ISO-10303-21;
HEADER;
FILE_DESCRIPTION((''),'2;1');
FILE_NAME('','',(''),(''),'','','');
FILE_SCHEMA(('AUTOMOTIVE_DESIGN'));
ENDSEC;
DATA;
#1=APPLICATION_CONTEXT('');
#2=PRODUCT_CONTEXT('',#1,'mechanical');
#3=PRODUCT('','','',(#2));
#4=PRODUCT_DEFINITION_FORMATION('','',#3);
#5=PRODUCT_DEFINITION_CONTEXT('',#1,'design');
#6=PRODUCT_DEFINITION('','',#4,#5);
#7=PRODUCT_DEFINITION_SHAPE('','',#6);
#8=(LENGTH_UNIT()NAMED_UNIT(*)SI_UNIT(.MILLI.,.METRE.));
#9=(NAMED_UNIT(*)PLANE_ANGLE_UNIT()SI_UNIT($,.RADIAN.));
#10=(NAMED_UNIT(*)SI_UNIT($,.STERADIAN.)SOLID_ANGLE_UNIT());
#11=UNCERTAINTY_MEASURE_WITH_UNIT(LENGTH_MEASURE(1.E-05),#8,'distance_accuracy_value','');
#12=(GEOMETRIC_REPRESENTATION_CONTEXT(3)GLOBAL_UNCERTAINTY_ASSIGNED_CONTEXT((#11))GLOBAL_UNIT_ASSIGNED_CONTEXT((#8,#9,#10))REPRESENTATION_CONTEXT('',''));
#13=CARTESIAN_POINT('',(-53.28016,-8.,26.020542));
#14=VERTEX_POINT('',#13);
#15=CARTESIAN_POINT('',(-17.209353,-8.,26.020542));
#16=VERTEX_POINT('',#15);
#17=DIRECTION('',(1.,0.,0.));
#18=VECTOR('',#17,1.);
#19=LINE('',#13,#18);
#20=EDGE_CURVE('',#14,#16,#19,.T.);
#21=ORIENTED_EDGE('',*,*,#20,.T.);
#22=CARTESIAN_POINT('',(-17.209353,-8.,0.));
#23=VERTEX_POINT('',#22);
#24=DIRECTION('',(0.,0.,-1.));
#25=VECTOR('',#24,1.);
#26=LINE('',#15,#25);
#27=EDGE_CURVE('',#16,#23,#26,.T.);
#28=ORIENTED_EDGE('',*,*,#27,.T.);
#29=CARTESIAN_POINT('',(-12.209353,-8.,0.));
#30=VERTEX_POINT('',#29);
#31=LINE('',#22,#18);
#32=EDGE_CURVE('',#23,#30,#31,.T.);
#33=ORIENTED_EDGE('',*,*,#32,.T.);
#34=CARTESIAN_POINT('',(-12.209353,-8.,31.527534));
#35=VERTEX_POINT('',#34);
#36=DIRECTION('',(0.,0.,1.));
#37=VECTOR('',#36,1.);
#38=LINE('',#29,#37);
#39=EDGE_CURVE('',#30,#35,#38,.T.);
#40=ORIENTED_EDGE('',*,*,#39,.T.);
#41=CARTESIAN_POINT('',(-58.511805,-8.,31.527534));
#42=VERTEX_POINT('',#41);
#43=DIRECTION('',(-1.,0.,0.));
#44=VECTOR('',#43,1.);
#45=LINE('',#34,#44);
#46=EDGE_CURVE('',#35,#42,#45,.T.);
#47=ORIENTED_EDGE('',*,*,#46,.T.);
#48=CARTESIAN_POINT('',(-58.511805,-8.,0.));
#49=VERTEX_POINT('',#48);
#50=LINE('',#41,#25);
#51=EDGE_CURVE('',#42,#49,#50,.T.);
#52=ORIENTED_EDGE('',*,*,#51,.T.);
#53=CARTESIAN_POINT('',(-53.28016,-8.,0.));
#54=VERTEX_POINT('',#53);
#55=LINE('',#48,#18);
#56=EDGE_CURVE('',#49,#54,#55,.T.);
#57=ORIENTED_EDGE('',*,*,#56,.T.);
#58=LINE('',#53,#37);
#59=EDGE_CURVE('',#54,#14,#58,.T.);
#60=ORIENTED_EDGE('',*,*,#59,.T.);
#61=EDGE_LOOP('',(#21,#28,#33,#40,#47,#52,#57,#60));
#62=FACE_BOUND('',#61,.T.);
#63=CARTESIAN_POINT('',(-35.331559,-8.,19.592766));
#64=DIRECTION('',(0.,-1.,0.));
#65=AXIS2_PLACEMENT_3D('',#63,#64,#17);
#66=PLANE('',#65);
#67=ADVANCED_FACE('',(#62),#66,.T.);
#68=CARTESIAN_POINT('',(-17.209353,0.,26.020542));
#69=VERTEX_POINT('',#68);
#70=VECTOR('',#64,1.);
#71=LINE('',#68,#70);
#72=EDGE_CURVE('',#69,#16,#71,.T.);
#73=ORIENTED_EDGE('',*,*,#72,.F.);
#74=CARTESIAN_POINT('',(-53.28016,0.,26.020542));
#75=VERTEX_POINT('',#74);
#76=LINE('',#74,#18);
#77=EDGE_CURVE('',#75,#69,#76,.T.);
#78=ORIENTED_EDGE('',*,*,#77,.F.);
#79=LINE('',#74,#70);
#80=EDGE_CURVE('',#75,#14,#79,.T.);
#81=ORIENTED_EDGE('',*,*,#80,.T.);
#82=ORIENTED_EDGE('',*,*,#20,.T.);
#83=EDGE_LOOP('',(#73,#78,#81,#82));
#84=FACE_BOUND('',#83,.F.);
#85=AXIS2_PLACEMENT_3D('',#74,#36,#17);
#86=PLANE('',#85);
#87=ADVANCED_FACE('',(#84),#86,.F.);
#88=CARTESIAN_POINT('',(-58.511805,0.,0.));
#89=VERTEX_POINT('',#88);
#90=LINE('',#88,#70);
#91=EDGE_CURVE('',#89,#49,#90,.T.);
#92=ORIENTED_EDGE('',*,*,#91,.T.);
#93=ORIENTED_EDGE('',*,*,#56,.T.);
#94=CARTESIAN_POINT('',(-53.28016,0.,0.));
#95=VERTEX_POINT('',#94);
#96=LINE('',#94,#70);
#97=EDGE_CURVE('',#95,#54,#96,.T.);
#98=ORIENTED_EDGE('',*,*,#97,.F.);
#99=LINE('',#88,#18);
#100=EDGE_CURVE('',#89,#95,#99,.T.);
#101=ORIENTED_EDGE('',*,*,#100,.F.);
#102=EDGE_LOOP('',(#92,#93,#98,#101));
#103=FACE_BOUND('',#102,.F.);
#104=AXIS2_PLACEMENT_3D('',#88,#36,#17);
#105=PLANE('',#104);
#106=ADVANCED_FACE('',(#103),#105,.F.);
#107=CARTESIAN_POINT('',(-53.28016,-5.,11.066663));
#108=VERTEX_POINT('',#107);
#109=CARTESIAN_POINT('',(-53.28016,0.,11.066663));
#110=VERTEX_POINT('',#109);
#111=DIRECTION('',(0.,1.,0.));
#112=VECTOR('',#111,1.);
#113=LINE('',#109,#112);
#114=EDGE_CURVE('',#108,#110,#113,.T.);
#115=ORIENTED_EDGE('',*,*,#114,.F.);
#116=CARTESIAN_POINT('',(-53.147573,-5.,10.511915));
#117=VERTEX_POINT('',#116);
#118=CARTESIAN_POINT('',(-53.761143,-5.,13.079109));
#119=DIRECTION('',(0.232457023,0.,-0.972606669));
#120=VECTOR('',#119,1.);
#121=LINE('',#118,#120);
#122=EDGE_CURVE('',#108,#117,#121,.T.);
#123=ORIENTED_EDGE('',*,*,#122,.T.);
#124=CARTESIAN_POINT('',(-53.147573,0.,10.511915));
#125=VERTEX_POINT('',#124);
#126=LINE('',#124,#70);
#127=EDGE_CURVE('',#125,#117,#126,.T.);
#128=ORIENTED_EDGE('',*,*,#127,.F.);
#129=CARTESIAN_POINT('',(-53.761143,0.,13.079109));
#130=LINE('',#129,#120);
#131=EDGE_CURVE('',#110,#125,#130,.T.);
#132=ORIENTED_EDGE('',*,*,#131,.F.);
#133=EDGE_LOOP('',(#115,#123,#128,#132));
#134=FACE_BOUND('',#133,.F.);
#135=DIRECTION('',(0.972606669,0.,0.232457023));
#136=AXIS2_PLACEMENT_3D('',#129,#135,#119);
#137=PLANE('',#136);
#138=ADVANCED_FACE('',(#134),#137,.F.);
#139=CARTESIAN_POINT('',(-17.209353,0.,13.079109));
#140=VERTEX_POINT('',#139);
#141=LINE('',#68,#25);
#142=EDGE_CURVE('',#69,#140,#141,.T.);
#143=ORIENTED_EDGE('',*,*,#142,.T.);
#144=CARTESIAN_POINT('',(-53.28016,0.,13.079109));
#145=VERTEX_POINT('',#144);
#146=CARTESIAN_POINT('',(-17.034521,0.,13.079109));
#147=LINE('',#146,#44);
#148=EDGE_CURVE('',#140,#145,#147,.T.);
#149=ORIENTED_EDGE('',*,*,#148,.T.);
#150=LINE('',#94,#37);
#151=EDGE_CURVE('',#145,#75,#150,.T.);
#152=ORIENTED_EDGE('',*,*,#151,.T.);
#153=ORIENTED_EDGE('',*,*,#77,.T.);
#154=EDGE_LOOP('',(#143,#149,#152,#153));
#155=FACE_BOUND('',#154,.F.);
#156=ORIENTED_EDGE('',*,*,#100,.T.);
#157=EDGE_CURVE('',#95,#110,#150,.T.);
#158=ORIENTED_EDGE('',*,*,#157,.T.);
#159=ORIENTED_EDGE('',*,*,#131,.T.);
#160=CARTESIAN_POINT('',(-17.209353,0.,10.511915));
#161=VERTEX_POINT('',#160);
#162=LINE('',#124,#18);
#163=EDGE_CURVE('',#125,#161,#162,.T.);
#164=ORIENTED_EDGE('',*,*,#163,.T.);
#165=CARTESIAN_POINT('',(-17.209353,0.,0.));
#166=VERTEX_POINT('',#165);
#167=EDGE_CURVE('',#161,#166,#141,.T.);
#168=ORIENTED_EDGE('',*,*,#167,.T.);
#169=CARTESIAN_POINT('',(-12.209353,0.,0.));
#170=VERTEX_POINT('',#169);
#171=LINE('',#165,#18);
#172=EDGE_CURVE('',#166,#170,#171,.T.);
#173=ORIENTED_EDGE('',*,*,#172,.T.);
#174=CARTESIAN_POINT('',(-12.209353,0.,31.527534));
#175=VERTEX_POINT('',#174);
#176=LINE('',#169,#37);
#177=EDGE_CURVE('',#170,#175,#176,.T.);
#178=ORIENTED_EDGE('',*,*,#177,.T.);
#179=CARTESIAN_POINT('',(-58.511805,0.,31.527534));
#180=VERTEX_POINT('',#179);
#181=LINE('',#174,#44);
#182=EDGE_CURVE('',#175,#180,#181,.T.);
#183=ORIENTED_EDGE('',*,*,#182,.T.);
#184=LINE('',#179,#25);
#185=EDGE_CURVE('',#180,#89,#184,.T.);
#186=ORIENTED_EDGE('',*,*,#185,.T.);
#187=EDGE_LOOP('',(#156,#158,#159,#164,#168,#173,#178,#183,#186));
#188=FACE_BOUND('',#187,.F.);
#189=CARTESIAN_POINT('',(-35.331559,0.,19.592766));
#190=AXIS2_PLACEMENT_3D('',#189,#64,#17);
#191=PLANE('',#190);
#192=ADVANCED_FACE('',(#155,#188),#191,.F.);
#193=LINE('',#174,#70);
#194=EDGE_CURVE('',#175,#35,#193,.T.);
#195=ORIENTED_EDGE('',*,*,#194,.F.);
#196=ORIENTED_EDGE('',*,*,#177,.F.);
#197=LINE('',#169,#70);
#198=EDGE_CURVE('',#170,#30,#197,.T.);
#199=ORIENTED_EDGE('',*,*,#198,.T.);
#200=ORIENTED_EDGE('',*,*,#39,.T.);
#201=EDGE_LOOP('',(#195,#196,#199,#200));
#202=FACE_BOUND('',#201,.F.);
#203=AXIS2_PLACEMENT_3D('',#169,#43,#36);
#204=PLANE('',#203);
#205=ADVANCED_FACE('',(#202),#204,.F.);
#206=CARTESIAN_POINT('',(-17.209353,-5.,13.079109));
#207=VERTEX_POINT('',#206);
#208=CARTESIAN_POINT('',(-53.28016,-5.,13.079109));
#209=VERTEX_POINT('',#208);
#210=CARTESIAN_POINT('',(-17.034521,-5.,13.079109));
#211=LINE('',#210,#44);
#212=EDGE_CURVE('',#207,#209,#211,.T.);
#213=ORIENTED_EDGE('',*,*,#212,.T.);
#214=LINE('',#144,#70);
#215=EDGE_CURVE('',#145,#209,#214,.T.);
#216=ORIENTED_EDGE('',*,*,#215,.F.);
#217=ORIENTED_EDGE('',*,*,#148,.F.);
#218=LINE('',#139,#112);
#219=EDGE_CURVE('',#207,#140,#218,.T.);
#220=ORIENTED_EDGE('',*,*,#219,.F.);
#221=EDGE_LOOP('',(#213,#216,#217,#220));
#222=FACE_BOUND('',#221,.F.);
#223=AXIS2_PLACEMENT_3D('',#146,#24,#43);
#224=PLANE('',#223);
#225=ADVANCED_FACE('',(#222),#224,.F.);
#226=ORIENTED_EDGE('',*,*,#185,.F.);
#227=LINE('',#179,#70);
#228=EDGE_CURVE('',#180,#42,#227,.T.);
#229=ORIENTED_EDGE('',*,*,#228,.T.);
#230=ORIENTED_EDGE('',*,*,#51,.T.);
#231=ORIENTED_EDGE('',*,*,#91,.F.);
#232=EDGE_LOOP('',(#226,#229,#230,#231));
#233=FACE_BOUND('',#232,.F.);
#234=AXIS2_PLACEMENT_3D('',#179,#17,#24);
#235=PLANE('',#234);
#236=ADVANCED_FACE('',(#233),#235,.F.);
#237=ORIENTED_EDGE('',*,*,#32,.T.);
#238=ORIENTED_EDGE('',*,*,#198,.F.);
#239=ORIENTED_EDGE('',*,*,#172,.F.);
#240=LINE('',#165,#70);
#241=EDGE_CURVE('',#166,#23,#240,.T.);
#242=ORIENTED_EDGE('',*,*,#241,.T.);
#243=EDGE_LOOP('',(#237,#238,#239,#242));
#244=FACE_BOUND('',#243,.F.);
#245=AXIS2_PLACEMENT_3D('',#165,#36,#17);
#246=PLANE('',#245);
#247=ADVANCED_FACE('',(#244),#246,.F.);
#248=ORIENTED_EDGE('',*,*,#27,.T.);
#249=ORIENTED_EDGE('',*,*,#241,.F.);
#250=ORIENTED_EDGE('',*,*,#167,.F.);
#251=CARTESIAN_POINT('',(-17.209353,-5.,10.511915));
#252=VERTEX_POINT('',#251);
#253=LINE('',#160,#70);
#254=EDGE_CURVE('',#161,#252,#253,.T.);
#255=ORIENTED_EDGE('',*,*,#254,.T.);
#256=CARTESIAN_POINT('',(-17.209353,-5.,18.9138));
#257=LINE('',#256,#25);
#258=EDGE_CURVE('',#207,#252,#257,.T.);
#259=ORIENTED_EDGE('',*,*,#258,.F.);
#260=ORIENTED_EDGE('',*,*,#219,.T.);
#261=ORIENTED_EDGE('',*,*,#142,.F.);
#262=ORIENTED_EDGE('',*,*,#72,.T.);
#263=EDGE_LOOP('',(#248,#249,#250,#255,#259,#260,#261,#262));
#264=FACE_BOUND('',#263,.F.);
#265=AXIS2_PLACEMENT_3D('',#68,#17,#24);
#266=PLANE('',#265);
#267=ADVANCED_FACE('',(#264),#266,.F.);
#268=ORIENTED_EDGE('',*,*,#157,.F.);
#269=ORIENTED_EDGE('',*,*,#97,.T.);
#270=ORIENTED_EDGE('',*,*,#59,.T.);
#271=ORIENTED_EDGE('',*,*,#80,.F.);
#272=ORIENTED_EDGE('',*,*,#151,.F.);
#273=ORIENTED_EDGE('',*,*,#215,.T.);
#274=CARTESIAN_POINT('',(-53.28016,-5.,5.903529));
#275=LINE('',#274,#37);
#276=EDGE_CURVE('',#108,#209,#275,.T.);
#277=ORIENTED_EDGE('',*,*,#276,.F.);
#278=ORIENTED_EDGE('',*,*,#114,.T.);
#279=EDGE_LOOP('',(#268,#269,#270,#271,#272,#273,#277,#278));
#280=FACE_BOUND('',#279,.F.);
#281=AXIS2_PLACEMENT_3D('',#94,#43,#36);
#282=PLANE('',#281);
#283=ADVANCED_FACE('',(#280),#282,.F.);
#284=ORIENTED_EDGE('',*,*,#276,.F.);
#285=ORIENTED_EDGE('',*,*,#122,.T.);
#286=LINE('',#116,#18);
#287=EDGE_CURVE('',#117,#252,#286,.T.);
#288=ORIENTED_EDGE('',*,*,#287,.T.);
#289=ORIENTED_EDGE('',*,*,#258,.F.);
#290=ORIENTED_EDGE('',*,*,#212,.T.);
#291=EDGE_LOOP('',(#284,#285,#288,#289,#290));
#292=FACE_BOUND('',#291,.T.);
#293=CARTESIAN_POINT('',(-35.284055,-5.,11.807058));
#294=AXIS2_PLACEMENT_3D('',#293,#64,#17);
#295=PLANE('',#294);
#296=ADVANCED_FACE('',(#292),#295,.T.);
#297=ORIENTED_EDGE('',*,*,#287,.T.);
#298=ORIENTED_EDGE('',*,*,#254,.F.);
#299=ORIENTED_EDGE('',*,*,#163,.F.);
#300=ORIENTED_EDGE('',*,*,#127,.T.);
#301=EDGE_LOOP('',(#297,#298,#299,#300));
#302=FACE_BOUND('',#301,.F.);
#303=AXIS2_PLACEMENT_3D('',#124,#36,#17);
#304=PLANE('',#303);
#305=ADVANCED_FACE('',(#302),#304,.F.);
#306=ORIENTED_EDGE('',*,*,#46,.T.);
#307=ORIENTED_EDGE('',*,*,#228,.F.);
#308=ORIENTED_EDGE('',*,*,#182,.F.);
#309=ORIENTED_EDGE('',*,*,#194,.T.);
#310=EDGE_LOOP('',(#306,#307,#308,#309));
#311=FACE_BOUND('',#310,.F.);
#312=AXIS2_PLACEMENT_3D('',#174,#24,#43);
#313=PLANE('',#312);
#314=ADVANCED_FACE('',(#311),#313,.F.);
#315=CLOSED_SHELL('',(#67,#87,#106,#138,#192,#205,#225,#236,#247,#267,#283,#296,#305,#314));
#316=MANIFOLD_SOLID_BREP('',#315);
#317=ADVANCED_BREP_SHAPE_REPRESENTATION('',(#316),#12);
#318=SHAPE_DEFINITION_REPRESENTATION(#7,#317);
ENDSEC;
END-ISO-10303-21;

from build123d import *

# Parameters (mm, degrees)
F1_DEPTH = 8
F3_DEPTH = 5


with BuildPart() as f1:
    # F0 (on Front) → F1 (new body)
    with BuildSketch(Plane.XZ):
        Polygon((-58.511805, 31.527534), (-58.511805, 0), (-53.28016, 0), (-53.28016, 26.020542), (-17.209353, 26.020542), (-17.209353, 0), (-12.209353, 0), (-12.209353, 31.527534), align=None)
    extrude(amount=F1_DEPTH)

    # F2 (on Front) → F3 (join)
    with BuildSketch(Plane.XZ):
        Polygon((-17.034521, 13.079109), (-52.729461, 13.079109), (-53.761143, 13.079109), (-53.147573, 10.511915), (-17.122176, 10.511915), align=None)
    extrude(amount=F3_DEPTH)


solid = f1.part
